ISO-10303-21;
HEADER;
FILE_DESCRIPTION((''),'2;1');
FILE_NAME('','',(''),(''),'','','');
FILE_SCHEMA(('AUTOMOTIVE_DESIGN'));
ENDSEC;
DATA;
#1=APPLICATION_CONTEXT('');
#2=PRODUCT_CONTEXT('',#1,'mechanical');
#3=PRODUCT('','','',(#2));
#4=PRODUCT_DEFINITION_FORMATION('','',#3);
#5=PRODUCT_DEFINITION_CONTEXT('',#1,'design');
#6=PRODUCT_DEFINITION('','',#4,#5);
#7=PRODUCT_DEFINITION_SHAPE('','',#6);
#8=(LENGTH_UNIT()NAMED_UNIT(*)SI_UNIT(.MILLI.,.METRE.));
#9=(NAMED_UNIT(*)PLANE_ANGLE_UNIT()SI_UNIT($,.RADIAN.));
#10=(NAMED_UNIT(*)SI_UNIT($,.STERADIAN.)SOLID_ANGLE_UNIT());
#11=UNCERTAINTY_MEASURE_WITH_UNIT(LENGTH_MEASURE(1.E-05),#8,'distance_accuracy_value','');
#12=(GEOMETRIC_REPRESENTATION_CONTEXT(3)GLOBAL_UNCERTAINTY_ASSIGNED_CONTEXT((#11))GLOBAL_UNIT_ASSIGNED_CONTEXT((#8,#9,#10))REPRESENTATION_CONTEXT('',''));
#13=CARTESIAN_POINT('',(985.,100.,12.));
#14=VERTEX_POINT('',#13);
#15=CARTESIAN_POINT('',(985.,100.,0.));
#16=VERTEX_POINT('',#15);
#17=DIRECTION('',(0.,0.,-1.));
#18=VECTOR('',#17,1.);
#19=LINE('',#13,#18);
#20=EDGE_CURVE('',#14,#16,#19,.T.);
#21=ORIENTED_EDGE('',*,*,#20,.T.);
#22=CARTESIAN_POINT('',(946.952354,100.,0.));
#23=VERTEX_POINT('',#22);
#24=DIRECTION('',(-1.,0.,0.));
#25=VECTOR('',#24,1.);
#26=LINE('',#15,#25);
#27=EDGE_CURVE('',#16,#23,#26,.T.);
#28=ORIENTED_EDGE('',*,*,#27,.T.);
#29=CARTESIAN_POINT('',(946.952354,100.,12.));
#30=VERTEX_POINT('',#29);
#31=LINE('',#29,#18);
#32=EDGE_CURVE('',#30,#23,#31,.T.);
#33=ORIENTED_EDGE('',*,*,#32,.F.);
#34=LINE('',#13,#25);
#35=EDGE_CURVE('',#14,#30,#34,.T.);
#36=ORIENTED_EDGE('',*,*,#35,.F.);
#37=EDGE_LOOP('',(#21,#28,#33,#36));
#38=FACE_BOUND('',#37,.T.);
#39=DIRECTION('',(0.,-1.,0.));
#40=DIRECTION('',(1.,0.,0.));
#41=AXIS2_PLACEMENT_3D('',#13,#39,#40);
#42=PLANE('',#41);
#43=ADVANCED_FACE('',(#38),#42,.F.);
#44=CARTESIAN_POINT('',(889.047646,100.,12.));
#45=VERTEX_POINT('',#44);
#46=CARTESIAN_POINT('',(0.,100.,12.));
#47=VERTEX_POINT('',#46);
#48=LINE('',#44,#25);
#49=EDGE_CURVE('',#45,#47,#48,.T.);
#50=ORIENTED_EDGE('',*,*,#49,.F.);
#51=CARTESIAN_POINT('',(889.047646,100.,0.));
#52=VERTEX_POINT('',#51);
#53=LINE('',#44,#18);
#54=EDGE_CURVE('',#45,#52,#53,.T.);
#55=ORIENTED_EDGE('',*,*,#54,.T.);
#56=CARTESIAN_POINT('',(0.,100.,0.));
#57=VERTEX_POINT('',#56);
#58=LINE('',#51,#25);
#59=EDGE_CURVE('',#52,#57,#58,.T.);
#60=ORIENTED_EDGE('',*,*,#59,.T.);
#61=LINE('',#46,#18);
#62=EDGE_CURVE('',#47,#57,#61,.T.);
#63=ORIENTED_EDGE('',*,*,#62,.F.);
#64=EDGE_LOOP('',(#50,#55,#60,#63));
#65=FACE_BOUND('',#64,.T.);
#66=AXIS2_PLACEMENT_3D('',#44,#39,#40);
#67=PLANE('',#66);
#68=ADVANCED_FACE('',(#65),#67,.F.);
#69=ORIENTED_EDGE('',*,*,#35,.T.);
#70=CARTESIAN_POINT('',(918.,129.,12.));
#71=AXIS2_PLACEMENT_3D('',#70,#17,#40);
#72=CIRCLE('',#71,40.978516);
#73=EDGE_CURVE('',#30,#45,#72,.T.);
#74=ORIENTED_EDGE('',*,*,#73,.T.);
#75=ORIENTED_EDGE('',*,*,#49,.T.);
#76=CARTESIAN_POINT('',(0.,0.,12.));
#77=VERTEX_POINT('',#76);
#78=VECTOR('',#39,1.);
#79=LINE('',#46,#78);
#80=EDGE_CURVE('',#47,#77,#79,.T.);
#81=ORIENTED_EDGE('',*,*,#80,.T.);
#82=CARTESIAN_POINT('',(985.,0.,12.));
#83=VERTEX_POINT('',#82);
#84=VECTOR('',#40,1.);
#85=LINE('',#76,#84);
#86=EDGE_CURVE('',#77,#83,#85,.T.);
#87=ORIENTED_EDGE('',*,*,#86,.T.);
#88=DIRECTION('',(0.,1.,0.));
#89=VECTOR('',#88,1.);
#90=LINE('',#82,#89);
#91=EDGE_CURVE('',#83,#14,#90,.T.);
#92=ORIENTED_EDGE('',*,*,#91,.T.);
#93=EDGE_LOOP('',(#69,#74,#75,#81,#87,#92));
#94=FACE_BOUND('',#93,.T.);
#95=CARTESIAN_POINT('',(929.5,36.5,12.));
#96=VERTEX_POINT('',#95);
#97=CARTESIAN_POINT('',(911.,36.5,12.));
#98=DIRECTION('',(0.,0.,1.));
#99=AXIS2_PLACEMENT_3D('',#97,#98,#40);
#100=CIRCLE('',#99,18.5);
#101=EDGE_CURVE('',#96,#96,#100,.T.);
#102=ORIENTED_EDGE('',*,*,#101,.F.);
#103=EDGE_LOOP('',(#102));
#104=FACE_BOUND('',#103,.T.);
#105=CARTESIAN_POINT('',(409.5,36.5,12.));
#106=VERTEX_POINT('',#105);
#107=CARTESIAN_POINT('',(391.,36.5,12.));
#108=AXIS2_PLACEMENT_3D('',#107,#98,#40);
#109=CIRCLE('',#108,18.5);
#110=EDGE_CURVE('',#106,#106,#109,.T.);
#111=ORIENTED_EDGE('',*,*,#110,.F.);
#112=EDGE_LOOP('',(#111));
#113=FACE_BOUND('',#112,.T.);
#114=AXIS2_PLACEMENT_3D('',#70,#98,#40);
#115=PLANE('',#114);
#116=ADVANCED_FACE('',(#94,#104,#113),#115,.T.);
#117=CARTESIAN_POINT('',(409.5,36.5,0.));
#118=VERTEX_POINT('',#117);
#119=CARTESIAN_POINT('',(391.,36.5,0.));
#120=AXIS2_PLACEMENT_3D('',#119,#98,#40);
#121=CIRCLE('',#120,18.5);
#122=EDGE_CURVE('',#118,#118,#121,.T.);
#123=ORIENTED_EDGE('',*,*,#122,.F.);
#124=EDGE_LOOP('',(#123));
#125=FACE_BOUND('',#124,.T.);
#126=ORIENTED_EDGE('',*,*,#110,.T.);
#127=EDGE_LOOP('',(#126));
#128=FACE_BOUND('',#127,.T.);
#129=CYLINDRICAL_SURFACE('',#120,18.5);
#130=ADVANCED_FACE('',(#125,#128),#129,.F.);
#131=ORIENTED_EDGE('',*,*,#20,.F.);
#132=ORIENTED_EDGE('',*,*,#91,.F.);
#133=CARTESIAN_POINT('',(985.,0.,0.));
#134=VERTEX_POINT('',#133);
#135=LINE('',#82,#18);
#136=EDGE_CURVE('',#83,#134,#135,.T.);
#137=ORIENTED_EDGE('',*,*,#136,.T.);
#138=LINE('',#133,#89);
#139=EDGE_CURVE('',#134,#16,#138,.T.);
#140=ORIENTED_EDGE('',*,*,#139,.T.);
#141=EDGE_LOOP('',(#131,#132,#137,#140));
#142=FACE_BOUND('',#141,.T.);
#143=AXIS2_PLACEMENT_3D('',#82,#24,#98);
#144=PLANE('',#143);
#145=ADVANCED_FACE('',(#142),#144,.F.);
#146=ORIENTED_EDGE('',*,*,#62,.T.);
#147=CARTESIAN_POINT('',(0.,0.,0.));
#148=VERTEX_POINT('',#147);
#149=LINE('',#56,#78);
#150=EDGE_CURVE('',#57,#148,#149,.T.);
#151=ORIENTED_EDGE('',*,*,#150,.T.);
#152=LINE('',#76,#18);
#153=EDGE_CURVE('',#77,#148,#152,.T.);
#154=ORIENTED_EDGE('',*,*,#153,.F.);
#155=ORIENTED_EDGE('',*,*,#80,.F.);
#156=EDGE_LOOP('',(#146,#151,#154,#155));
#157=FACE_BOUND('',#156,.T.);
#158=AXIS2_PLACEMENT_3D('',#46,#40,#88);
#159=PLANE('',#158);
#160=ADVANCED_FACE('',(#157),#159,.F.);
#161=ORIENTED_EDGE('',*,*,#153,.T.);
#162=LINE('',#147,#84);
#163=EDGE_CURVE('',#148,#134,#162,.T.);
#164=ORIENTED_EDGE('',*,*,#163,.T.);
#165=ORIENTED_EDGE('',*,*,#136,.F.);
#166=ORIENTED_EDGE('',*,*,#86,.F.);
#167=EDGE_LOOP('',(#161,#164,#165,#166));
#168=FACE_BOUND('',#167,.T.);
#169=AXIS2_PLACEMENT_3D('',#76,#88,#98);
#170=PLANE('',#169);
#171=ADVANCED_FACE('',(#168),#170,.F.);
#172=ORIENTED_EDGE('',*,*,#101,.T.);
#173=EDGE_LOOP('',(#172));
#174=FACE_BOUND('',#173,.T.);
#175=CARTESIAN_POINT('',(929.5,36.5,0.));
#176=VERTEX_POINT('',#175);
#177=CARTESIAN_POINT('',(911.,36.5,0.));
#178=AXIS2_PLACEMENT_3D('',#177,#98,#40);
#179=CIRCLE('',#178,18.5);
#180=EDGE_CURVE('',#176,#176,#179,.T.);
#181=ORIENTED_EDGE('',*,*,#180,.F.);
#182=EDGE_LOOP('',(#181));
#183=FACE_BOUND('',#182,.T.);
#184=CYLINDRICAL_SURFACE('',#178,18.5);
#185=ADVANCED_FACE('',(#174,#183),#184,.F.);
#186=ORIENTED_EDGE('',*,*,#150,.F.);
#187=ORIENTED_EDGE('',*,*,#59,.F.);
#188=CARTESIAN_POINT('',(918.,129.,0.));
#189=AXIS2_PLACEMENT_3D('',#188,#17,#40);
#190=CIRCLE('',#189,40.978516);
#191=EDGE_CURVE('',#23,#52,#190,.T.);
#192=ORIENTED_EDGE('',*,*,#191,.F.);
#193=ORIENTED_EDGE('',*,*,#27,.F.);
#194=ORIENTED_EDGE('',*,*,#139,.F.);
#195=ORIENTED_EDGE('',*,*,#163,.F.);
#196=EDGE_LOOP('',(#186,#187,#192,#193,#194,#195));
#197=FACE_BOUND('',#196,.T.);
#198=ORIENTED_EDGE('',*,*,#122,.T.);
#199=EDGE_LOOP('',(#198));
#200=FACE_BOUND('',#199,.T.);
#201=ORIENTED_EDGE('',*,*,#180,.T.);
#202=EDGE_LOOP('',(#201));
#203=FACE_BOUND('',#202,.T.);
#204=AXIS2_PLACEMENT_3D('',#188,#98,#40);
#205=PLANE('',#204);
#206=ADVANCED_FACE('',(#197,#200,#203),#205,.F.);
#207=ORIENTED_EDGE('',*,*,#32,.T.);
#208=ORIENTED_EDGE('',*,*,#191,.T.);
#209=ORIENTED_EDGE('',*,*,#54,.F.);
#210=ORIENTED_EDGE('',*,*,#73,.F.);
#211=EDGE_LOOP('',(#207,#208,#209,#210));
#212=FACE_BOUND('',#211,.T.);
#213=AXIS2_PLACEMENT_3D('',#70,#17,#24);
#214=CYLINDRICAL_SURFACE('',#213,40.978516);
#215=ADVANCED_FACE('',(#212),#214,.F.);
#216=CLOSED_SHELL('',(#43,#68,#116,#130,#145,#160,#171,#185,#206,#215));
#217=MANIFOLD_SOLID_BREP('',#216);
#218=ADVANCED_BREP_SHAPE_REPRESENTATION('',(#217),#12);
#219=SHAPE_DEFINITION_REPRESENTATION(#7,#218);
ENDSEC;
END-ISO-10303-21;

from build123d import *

# Parameters (mm, degrees)
SALIENTE_EXTRUIR1_DEPTH = 12
CROQUIS2_R              = 18.5
CORTAR_EXTRUIR1_DEPTH   = 13
CROQUIS3_R              = 18.5
CORTAR_EXTRUIR2_DEPTH   = 13


with BuildPart() as part:
    # Croquis1 → Saliente-Extruir1 (new body)
    with BuildSketch(Plane.XY):
        with BuildLine():
            Line((0, 0), (985, 0))
            Line((985, 0), (985, 100))
            Line((985, 100), (946.952353927, 100))
            ThreePointArc((946.952353927, 100), (918, 88.021483703), (889.047646073, 100))
            Line((889.047646073, 100), (0, 100))
            Line((0, 100), (0, 0))
        make_face()
    extrude(amount=SALIENTE_EXTRUIR1_DEPTH)

    # Croquis2 → Cortar-Extruir1 (cut, through all)
    with BuildSketch(Plane.XY.offset(12)):
        with Locations((911, 36.5)):
            Circle(CROQUIS2_R)
    extrude(amount=-CORTAR_EXTRUIR1_DEPTH, mode=Mode.SUBTRACT)

    # Croquis3 → Cortar-Extruir2 (cut, through all)
    with BuildSketch(Plane.XY.offset(12)):
        with Locations((391, 36.5)):
            Circle(CROQUIS3_R)
    extrude(amount=-CORTAR_EXTRUIR2_DEPTH, mode=Mode.SUBTRACT)


solid = part.part
